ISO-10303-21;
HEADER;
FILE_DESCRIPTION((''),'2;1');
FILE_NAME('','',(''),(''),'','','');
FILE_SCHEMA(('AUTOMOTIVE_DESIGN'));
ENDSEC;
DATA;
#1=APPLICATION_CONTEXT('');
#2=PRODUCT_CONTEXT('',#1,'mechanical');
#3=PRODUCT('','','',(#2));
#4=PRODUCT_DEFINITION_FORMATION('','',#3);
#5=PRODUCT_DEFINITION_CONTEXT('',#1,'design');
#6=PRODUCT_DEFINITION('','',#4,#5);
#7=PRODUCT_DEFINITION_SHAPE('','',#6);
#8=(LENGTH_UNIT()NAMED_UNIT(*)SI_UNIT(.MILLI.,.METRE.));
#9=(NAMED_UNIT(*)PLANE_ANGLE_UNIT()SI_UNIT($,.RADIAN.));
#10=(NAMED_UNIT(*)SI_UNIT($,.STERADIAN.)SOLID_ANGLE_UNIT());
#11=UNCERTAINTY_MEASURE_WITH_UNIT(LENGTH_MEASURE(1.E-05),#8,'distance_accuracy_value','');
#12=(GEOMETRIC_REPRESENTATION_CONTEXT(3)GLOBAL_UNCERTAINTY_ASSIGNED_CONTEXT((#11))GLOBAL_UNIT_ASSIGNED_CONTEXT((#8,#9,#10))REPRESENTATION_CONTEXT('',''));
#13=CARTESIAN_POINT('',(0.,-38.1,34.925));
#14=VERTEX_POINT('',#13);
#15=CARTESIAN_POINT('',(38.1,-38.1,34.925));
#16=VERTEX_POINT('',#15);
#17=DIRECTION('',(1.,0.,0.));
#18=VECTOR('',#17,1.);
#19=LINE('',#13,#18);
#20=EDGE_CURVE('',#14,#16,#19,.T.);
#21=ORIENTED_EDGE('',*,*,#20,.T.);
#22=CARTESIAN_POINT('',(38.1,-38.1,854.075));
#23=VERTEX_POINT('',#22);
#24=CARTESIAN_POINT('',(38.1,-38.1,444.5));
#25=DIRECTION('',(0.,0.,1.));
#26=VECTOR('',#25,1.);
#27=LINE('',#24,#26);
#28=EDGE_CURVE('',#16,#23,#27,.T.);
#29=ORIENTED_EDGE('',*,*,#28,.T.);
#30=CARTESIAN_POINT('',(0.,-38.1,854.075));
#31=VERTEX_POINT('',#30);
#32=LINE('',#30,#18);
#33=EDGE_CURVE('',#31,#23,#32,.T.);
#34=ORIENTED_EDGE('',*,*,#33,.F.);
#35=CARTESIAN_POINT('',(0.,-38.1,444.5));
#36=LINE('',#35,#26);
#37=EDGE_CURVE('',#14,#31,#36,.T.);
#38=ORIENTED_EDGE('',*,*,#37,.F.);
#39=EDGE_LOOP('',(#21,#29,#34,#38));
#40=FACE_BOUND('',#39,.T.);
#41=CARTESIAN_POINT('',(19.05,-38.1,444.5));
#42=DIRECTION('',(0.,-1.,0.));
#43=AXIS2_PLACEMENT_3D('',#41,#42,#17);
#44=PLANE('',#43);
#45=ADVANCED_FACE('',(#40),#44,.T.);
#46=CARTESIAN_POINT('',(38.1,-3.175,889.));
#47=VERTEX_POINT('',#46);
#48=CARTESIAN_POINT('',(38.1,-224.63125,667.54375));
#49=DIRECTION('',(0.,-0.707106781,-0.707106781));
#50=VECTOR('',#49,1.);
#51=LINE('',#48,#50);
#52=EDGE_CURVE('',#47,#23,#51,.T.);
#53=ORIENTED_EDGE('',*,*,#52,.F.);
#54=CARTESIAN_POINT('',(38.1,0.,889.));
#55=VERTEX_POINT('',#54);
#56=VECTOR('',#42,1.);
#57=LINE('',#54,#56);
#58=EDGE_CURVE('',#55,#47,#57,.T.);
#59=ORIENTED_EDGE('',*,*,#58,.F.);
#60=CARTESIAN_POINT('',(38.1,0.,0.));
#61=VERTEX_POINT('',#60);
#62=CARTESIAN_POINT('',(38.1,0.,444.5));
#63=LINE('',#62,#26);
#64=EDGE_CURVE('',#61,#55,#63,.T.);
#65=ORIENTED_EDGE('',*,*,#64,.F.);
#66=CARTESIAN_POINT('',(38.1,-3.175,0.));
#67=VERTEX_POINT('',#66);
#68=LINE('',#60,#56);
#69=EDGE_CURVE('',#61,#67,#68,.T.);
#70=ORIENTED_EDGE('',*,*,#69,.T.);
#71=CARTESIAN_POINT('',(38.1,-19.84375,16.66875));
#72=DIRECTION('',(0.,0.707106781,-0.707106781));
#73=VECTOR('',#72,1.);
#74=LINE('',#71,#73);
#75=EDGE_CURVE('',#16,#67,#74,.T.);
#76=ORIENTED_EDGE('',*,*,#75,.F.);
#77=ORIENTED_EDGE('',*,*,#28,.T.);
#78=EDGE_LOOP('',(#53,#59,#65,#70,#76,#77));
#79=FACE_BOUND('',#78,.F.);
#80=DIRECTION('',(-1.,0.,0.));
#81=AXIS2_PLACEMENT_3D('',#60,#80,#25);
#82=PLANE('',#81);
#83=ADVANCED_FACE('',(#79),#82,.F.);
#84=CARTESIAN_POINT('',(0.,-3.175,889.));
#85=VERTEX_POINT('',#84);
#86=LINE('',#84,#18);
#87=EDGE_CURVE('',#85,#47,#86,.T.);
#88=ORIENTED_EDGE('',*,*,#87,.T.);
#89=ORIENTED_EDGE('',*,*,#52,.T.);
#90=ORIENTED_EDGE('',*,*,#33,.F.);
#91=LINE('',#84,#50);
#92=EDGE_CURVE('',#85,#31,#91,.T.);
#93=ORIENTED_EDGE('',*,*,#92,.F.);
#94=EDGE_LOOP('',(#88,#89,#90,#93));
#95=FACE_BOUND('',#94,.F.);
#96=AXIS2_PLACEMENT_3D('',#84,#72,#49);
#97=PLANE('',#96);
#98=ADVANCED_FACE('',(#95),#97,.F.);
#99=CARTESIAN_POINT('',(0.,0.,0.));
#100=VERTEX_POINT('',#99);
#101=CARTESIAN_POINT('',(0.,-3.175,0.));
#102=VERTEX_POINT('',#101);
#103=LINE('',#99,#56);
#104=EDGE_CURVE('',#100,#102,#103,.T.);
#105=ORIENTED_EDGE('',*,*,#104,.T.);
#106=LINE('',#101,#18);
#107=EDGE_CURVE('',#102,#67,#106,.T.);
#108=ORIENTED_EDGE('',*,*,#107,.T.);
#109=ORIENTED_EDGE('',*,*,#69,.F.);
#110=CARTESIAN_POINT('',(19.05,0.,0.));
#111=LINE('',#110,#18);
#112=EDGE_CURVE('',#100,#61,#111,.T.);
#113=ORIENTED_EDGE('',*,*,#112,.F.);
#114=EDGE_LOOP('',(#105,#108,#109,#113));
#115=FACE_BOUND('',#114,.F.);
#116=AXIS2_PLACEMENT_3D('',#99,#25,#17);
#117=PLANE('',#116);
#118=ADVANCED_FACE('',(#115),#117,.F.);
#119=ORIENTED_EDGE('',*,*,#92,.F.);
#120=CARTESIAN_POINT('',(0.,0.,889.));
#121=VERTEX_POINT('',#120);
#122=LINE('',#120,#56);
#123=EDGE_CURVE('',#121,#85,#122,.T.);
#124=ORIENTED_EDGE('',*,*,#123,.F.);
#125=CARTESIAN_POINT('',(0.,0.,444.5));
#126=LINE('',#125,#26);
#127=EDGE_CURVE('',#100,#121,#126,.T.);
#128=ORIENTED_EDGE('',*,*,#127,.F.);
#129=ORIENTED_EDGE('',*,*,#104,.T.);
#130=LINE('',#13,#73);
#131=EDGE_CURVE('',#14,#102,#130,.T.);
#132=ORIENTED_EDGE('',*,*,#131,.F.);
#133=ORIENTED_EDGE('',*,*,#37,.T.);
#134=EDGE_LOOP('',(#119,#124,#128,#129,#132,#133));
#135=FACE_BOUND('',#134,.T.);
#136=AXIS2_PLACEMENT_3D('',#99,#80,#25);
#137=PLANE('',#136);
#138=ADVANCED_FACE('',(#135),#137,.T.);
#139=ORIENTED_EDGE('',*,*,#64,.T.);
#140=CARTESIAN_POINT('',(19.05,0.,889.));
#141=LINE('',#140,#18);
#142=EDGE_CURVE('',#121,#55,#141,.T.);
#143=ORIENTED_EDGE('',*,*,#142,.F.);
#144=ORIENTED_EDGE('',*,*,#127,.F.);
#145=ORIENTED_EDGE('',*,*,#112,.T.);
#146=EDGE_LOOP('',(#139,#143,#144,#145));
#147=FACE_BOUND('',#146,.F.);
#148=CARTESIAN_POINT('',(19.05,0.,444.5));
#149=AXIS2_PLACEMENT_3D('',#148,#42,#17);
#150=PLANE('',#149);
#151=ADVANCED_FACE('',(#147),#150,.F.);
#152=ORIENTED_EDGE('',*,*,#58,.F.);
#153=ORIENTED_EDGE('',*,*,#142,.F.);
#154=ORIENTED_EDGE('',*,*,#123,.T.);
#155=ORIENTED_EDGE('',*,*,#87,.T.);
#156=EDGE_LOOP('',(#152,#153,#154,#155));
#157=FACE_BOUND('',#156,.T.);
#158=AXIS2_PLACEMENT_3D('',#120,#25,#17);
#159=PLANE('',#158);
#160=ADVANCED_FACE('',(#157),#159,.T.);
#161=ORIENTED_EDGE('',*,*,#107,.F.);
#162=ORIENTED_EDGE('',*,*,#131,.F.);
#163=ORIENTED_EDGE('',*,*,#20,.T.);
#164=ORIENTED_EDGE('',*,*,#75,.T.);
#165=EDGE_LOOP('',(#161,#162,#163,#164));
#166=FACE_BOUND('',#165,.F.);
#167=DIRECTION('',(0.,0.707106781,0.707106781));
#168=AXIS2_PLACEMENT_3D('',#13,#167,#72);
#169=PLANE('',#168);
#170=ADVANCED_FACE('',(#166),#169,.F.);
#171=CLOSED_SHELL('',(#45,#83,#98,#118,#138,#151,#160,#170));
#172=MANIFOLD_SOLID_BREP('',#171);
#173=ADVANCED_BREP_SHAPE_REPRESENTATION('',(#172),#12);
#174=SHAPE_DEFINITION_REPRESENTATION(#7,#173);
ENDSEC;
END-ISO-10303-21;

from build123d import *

# Parameters (mm, degrees)
F0_W     = 38.1
F0_H     = 889
F1_DEPTH = 38.1
F3_DEPTH = 38.101


with BuildPart() as f1:
    # F0 (on Front) → F1 (new body)
    with BuildSketch(Plane.XZ):
        with Locations((19.05, 444.5)):
            Rectangle(F0_W, F0_H)
    extrude(amount=F1_DEPTH)

    # F2 (on face) → F3 (cut, through all)
    with BuildSketch(Plane(origin=(0, 0, 0), x_dir=(0, -1, 0), z_dir=(-1, 0, 0))):
        Polygon((38.1, 889), (3.175, 889), (38.1, 854.075), align=None)
        Polygon((38.1, 34.925), (3.175, 0), (38.1, 0), align=None)
    extrude(amount=-F3_DEPTH, mode=Mode.SUBTRACT)


solid = f1.part
